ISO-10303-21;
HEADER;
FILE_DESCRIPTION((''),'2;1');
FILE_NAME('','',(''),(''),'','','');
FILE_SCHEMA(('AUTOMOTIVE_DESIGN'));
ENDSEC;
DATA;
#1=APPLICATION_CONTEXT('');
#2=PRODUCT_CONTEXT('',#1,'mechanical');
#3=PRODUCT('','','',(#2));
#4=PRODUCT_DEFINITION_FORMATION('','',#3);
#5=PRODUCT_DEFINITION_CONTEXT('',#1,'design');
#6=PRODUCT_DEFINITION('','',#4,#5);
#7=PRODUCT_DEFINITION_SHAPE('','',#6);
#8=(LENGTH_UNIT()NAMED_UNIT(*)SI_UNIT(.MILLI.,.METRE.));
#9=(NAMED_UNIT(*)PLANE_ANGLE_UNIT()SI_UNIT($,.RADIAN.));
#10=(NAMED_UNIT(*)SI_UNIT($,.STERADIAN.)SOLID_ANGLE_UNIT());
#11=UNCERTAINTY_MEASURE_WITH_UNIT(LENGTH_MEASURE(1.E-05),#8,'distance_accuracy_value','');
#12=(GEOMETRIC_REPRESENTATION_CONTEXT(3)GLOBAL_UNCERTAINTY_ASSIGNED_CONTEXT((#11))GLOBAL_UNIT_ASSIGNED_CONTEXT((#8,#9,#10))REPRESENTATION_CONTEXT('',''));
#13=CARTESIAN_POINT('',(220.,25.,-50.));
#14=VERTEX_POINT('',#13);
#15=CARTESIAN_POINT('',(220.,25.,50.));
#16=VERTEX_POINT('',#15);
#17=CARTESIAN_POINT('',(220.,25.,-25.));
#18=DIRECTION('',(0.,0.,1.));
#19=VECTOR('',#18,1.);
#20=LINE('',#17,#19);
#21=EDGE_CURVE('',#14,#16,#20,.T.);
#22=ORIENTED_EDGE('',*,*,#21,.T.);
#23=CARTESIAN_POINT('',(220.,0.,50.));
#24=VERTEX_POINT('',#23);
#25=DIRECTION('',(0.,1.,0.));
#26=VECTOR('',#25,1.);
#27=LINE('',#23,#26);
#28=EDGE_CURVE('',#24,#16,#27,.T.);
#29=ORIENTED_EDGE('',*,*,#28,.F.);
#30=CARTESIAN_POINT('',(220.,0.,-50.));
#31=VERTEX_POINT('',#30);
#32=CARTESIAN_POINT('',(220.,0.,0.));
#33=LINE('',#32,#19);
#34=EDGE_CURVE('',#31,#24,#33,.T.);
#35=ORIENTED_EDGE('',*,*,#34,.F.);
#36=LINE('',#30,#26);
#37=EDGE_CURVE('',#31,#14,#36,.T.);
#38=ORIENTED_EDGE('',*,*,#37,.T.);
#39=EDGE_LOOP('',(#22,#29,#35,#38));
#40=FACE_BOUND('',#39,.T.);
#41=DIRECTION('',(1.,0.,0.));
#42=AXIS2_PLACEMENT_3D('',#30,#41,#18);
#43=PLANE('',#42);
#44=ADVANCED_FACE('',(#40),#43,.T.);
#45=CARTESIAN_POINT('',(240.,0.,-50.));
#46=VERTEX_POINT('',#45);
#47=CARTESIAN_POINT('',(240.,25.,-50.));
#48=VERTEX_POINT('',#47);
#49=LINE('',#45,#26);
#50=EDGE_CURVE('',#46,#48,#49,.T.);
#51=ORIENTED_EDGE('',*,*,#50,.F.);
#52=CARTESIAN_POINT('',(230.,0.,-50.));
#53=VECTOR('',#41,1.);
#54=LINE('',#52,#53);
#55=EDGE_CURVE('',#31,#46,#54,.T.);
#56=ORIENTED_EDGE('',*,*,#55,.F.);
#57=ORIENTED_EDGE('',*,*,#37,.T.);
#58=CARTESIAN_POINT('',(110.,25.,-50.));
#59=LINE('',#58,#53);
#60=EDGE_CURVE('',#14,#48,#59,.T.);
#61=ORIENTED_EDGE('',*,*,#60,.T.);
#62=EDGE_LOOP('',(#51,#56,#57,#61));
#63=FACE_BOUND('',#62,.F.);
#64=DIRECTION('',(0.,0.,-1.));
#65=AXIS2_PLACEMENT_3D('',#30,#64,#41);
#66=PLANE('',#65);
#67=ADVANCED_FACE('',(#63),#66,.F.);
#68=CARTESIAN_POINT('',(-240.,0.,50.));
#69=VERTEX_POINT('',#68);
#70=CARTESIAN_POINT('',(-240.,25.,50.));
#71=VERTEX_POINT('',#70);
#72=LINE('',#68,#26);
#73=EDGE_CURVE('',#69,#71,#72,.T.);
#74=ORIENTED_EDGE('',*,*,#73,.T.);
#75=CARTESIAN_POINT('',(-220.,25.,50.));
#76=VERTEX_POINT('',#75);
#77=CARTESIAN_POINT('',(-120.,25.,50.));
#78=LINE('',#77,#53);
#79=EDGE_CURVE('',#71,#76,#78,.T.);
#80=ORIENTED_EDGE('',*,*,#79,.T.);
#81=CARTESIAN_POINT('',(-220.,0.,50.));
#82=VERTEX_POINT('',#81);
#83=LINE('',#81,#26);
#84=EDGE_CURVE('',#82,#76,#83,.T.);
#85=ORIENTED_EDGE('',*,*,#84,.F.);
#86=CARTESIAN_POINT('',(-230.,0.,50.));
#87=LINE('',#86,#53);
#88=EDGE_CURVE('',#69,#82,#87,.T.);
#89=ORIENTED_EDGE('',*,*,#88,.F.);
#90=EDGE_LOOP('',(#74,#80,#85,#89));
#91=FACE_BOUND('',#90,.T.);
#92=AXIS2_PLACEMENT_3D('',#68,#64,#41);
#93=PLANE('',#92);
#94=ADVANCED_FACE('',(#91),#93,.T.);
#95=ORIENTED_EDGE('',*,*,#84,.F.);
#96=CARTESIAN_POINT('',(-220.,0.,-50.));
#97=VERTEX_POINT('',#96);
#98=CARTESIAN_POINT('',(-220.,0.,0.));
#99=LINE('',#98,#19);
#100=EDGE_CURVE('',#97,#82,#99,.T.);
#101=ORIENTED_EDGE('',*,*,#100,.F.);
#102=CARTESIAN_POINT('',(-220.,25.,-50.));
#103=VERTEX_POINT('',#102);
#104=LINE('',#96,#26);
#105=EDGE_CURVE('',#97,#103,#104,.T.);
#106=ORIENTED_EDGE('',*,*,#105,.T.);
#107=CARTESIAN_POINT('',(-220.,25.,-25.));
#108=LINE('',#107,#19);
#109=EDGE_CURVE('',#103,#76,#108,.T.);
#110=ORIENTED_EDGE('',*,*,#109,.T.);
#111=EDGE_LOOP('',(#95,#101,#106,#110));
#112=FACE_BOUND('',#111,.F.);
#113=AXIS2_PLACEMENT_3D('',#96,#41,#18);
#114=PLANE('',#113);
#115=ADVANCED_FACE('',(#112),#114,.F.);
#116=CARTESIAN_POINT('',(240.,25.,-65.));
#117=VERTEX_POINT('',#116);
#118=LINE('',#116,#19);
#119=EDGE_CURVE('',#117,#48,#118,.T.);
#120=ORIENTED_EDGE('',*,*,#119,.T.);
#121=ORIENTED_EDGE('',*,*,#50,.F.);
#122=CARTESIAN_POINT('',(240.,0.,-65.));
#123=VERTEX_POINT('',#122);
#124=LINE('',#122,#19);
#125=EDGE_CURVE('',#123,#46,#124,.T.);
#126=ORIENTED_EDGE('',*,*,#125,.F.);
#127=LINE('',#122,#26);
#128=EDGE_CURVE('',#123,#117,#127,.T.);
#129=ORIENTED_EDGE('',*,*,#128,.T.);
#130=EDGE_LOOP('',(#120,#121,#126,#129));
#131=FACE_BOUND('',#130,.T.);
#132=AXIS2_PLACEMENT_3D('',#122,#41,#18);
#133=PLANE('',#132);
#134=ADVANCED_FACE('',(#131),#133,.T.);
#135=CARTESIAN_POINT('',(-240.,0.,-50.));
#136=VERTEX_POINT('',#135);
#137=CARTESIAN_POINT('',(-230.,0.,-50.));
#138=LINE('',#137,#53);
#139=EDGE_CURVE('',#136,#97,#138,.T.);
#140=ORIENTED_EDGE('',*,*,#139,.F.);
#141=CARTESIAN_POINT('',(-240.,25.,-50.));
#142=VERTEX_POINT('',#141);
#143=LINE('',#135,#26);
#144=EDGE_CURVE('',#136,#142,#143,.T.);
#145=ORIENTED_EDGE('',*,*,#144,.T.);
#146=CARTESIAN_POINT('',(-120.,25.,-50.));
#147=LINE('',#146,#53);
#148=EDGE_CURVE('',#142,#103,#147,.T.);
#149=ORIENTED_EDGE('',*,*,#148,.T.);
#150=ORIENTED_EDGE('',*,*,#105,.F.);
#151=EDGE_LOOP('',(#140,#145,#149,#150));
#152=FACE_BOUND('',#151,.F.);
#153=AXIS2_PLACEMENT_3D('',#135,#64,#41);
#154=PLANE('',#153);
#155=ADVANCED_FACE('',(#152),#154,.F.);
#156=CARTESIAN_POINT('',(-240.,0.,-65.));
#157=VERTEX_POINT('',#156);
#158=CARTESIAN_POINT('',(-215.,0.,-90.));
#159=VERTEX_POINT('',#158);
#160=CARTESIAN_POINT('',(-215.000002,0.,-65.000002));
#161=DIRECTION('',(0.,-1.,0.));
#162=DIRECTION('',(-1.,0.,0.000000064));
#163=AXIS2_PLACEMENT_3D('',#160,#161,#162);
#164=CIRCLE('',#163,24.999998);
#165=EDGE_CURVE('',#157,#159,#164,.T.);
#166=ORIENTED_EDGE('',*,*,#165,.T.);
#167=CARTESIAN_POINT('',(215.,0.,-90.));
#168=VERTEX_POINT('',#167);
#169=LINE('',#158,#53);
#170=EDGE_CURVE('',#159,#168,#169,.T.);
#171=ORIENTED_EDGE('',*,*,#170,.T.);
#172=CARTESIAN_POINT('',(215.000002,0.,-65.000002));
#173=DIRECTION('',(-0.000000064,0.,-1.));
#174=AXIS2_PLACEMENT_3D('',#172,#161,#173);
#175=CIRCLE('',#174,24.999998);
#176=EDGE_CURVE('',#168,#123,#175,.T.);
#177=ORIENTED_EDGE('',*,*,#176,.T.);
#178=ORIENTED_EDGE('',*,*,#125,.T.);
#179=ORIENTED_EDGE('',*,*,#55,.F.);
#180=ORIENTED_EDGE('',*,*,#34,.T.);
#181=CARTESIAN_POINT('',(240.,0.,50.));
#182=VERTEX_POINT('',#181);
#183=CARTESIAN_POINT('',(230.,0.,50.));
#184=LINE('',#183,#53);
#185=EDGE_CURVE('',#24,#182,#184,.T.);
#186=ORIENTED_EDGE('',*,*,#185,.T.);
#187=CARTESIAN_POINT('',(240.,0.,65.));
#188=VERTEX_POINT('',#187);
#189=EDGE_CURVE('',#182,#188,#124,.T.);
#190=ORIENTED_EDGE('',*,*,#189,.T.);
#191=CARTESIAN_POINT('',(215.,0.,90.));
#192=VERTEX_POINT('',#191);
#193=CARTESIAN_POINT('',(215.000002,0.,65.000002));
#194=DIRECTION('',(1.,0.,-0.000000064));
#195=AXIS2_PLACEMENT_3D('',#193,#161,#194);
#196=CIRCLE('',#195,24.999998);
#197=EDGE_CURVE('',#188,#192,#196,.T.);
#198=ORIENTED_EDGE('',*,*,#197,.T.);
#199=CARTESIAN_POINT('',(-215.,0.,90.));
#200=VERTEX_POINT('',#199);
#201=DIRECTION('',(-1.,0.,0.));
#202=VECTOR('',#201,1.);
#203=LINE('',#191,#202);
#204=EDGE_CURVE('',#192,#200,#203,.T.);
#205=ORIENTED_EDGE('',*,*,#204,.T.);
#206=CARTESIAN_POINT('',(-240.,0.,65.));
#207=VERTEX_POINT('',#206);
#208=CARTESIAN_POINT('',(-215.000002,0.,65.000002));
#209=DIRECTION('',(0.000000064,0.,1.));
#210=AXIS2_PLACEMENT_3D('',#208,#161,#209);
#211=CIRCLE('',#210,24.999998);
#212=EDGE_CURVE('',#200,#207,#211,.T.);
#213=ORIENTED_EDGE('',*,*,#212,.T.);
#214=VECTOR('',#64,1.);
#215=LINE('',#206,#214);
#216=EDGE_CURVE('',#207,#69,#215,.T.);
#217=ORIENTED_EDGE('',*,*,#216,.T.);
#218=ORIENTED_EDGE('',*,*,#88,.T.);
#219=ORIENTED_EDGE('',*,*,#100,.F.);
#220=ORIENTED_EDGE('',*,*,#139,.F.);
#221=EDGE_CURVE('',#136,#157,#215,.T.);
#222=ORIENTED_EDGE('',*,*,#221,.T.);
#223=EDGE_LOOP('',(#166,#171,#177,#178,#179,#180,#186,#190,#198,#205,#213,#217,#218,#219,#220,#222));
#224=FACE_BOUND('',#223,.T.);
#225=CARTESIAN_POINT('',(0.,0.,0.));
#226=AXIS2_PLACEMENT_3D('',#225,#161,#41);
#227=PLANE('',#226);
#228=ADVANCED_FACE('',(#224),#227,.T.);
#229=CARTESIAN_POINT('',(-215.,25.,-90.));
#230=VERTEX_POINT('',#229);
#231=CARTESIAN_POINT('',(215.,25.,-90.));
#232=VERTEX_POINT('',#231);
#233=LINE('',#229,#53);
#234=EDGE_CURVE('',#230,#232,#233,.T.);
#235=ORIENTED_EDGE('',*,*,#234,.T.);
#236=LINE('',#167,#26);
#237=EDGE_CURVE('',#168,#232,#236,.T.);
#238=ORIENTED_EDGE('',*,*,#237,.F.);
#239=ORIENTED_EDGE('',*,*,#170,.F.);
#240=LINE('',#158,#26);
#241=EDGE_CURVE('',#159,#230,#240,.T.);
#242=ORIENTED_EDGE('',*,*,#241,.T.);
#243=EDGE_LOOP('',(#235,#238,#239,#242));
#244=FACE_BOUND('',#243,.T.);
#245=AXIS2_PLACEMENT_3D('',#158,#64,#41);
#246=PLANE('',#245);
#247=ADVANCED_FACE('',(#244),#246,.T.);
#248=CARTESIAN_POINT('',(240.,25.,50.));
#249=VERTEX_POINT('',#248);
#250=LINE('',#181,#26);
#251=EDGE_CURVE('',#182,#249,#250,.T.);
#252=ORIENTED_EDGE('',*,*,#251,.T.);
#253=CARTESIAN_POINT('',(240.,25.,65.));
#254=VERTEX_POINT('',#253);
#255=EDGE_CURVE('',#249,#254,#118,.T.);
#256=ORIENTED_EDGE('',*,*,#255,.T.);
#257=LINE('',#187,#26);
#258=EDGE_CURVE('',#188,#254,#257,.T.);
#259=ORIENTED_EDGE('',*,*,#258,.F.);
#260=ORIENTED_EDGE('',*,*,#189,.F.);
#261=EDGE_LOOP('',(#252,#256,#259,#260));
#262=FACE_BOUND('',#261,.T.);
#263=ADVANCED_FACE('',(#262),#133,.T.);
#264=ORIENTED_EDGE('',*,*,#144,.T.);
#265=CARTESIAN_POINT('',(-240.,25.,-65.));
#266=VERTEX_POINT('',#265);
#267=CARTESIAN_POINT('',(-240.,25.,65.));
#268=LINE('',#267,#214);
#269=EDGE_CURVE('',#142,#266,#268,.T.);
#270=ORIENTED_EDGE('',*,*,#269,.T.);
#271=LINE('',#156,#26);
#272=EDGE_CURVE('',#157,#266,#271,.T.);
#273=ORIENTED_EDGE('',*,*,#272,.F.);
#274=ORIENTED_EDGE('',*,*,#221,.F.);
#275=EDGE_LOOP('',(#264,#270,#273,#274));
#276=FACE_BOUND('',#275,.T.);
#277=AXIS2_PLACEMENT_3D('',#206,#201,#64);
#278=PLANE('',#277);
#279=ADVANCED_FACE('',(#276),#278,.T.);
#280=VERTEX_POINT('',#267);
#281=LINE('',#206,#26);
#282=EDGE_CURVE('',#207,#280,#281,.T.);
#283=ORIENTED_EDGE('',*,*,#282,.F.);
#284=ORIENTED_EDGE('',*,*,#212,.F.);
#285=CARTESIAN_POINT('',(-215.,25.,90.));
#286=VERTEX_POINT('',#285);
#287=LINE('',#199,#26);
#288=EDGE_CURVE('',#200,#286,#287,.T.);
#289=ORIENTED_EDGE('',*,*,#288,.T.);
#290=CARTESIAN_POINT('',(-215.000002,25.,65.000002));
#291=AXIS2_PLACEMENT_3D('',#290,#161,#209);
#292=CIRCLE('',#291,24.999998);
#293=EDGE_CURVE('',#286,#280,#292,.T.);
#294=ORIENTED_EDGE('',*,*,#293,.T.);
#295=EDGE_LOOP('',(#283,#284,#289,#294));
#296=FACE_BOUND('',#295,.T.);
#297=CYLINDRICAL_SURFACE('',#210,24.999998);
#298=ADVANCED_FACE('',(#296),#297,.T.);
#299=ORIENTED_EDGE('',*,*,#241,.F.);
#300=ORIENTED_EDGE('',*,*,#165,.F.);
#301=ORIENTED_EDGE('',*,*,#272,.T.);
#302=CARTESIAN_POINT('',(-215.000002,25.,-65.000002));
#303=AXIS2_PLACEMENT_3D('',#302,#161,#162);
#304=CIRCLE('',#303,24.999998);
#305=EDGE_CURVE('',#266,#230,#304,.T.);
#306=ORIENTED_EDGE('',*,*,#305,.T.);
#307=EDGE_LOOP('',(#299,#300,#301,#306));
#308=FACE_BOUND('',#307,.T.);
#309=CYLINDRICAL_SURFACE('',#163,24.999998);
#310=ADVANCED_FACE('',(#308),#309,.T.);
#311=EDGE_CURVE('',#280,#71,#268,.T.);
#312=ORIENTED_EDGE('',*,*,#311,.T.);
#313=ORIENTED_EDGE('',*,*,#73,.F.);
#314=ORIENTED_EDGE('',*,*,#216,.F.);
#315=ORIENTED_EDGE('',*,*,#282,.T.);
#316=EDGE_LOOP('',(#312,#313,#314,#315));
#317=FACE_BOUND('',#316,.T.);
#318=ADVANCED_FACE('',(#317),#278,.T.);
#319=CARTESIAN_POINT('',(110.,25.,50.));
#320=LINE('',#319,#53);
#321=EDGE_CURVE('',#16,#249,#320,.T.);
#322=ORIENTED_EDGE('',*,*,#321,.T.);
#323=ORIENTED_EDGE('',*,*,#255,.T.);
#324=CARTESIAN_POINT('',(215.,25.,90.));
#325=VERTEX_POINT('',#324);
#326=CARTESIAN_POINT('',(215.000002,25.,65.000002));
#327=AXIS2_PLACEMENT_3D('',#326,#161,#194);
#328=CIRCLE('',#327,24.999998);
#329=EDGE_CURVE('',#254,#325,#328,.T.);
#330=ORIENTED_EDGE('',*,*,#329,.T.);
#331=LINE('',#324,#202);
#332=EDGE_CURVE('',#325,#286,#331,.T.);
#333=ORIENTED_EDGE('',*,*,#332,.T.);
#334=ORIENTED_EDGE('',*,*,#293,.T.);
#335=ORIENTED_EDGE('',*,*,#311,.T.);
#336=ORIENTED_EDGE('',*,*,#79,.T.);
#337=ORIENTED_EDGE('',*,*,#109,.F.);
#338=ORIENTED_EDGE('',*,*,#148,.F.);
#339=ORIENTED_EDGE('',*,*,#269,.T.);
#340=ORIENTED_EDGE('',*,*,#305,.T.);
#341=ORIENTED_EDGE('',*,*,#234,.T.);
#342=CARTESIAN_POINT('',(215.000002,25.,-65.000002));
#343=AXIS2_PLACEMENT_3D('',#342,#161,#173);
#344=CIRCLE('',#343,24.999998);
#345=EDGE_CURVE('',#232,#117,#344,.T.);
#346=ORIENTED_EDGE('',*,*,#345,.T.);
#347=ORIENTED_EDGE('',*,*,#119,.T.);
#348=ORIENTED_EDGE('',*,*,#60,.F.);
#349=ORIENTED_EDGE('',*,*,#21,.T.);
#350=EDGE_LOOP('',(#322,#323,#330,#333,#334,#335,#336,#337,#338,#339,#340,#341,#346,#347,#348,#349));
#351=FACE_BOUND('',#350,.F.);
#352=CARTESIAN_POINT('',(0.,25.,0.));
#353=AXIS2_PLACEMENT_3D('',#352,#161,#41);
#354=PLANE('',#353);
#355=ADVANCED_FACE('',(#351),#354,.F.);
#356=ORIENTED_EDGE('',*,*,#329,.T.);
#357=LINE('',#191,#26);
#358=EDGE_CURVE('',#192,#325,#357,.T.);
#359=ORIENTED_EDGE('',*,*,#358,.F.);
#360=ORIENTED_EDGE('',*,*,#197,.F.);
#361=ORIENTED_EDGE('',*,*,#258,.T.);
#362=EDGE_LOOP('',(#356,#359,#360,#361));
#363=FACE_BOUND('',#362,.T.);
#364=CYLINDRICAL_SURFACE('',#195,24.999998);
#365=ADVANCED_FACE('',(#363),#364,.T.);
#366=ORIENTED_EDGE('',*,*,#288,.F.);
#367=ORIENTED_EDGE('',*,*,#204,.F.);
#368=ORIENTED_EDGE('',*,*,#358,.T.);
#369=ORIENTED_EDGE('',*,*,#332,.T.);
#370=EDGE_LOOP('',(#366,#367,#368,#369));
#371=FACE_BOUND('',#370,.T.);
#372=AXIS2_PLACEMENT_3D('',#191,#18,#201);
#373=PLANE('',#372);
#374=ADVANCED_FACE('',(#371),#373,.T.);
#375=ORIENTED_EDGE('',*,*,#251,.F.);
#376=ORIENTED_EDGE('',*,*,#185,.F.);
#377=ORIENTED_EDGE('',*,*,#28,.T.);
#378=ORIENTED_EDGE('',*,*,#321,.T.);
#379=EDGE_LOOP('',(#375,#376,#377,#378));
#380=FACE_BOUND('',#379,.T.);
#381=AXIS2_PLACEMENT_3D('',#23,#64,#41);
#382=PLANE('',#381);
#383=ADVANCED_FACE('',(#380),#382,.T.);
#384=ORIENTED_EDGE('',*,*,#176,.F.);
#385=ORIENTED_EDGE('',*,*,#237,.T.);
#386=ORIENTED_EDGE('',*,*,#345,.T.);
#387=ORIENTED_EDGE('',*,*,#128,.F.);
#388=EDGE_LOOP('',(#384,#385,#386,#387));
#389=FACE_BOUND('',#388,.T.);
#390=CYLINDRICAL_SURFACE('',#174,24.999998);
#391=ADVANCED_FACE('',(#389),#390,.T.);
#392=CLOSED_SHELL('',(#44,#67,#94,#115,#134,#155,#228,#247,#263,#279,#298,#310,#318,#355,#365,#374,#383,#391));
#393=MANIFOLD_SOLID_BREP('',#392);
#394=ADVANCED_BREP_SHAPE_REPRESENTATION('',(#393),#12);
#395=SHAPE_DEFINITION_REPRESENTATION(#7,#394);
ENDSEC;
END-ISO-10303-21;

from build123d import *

# Parameters (mm, degrees)
F2_DEPTH = 25
F1_W     = 20
F1_H     = 100
F3_DEPTH = 25.001


with BuildPart() as f2:
    # F0 (on Front) → F2 (new body)
    with BuildSketch(Plane.XZ):
        with BuildLine():
            Line((215, 90), (-215, 90))
            ThreePointArc((-215, 90), (-232.67767, 82.67767), (-240, 65))
            Line((-240, 65), (-240, -65))
            ThreePointArc((-240, -65), (-232.67767, -82.67767), (-215, -90))
            Line((-215, -90), (215, -90))
            ThreePointArc((215, -90), (232.67767, -82.67767), (240, -65))
            Line((240, -65), (240, 65))
            ThreePointArc((240, 65), (232.67767, 82.67767), (215, 90))
        make_face()
    extrude(amount=-F2_DEPTH)

    # F1 (on Front) → F3 (cut, through all)
    with BuildSketch(Plane.XZ):
        with Locations((-230, 0)):
            Rectangle(F1_W, F1_H)
        with Locations((230, 0)):
            Rectangle(F1_W, F1_H)
    extrude(amount=-F3_DEPTH, mode=Mode.SUBTRACT)


solid = f2.part
